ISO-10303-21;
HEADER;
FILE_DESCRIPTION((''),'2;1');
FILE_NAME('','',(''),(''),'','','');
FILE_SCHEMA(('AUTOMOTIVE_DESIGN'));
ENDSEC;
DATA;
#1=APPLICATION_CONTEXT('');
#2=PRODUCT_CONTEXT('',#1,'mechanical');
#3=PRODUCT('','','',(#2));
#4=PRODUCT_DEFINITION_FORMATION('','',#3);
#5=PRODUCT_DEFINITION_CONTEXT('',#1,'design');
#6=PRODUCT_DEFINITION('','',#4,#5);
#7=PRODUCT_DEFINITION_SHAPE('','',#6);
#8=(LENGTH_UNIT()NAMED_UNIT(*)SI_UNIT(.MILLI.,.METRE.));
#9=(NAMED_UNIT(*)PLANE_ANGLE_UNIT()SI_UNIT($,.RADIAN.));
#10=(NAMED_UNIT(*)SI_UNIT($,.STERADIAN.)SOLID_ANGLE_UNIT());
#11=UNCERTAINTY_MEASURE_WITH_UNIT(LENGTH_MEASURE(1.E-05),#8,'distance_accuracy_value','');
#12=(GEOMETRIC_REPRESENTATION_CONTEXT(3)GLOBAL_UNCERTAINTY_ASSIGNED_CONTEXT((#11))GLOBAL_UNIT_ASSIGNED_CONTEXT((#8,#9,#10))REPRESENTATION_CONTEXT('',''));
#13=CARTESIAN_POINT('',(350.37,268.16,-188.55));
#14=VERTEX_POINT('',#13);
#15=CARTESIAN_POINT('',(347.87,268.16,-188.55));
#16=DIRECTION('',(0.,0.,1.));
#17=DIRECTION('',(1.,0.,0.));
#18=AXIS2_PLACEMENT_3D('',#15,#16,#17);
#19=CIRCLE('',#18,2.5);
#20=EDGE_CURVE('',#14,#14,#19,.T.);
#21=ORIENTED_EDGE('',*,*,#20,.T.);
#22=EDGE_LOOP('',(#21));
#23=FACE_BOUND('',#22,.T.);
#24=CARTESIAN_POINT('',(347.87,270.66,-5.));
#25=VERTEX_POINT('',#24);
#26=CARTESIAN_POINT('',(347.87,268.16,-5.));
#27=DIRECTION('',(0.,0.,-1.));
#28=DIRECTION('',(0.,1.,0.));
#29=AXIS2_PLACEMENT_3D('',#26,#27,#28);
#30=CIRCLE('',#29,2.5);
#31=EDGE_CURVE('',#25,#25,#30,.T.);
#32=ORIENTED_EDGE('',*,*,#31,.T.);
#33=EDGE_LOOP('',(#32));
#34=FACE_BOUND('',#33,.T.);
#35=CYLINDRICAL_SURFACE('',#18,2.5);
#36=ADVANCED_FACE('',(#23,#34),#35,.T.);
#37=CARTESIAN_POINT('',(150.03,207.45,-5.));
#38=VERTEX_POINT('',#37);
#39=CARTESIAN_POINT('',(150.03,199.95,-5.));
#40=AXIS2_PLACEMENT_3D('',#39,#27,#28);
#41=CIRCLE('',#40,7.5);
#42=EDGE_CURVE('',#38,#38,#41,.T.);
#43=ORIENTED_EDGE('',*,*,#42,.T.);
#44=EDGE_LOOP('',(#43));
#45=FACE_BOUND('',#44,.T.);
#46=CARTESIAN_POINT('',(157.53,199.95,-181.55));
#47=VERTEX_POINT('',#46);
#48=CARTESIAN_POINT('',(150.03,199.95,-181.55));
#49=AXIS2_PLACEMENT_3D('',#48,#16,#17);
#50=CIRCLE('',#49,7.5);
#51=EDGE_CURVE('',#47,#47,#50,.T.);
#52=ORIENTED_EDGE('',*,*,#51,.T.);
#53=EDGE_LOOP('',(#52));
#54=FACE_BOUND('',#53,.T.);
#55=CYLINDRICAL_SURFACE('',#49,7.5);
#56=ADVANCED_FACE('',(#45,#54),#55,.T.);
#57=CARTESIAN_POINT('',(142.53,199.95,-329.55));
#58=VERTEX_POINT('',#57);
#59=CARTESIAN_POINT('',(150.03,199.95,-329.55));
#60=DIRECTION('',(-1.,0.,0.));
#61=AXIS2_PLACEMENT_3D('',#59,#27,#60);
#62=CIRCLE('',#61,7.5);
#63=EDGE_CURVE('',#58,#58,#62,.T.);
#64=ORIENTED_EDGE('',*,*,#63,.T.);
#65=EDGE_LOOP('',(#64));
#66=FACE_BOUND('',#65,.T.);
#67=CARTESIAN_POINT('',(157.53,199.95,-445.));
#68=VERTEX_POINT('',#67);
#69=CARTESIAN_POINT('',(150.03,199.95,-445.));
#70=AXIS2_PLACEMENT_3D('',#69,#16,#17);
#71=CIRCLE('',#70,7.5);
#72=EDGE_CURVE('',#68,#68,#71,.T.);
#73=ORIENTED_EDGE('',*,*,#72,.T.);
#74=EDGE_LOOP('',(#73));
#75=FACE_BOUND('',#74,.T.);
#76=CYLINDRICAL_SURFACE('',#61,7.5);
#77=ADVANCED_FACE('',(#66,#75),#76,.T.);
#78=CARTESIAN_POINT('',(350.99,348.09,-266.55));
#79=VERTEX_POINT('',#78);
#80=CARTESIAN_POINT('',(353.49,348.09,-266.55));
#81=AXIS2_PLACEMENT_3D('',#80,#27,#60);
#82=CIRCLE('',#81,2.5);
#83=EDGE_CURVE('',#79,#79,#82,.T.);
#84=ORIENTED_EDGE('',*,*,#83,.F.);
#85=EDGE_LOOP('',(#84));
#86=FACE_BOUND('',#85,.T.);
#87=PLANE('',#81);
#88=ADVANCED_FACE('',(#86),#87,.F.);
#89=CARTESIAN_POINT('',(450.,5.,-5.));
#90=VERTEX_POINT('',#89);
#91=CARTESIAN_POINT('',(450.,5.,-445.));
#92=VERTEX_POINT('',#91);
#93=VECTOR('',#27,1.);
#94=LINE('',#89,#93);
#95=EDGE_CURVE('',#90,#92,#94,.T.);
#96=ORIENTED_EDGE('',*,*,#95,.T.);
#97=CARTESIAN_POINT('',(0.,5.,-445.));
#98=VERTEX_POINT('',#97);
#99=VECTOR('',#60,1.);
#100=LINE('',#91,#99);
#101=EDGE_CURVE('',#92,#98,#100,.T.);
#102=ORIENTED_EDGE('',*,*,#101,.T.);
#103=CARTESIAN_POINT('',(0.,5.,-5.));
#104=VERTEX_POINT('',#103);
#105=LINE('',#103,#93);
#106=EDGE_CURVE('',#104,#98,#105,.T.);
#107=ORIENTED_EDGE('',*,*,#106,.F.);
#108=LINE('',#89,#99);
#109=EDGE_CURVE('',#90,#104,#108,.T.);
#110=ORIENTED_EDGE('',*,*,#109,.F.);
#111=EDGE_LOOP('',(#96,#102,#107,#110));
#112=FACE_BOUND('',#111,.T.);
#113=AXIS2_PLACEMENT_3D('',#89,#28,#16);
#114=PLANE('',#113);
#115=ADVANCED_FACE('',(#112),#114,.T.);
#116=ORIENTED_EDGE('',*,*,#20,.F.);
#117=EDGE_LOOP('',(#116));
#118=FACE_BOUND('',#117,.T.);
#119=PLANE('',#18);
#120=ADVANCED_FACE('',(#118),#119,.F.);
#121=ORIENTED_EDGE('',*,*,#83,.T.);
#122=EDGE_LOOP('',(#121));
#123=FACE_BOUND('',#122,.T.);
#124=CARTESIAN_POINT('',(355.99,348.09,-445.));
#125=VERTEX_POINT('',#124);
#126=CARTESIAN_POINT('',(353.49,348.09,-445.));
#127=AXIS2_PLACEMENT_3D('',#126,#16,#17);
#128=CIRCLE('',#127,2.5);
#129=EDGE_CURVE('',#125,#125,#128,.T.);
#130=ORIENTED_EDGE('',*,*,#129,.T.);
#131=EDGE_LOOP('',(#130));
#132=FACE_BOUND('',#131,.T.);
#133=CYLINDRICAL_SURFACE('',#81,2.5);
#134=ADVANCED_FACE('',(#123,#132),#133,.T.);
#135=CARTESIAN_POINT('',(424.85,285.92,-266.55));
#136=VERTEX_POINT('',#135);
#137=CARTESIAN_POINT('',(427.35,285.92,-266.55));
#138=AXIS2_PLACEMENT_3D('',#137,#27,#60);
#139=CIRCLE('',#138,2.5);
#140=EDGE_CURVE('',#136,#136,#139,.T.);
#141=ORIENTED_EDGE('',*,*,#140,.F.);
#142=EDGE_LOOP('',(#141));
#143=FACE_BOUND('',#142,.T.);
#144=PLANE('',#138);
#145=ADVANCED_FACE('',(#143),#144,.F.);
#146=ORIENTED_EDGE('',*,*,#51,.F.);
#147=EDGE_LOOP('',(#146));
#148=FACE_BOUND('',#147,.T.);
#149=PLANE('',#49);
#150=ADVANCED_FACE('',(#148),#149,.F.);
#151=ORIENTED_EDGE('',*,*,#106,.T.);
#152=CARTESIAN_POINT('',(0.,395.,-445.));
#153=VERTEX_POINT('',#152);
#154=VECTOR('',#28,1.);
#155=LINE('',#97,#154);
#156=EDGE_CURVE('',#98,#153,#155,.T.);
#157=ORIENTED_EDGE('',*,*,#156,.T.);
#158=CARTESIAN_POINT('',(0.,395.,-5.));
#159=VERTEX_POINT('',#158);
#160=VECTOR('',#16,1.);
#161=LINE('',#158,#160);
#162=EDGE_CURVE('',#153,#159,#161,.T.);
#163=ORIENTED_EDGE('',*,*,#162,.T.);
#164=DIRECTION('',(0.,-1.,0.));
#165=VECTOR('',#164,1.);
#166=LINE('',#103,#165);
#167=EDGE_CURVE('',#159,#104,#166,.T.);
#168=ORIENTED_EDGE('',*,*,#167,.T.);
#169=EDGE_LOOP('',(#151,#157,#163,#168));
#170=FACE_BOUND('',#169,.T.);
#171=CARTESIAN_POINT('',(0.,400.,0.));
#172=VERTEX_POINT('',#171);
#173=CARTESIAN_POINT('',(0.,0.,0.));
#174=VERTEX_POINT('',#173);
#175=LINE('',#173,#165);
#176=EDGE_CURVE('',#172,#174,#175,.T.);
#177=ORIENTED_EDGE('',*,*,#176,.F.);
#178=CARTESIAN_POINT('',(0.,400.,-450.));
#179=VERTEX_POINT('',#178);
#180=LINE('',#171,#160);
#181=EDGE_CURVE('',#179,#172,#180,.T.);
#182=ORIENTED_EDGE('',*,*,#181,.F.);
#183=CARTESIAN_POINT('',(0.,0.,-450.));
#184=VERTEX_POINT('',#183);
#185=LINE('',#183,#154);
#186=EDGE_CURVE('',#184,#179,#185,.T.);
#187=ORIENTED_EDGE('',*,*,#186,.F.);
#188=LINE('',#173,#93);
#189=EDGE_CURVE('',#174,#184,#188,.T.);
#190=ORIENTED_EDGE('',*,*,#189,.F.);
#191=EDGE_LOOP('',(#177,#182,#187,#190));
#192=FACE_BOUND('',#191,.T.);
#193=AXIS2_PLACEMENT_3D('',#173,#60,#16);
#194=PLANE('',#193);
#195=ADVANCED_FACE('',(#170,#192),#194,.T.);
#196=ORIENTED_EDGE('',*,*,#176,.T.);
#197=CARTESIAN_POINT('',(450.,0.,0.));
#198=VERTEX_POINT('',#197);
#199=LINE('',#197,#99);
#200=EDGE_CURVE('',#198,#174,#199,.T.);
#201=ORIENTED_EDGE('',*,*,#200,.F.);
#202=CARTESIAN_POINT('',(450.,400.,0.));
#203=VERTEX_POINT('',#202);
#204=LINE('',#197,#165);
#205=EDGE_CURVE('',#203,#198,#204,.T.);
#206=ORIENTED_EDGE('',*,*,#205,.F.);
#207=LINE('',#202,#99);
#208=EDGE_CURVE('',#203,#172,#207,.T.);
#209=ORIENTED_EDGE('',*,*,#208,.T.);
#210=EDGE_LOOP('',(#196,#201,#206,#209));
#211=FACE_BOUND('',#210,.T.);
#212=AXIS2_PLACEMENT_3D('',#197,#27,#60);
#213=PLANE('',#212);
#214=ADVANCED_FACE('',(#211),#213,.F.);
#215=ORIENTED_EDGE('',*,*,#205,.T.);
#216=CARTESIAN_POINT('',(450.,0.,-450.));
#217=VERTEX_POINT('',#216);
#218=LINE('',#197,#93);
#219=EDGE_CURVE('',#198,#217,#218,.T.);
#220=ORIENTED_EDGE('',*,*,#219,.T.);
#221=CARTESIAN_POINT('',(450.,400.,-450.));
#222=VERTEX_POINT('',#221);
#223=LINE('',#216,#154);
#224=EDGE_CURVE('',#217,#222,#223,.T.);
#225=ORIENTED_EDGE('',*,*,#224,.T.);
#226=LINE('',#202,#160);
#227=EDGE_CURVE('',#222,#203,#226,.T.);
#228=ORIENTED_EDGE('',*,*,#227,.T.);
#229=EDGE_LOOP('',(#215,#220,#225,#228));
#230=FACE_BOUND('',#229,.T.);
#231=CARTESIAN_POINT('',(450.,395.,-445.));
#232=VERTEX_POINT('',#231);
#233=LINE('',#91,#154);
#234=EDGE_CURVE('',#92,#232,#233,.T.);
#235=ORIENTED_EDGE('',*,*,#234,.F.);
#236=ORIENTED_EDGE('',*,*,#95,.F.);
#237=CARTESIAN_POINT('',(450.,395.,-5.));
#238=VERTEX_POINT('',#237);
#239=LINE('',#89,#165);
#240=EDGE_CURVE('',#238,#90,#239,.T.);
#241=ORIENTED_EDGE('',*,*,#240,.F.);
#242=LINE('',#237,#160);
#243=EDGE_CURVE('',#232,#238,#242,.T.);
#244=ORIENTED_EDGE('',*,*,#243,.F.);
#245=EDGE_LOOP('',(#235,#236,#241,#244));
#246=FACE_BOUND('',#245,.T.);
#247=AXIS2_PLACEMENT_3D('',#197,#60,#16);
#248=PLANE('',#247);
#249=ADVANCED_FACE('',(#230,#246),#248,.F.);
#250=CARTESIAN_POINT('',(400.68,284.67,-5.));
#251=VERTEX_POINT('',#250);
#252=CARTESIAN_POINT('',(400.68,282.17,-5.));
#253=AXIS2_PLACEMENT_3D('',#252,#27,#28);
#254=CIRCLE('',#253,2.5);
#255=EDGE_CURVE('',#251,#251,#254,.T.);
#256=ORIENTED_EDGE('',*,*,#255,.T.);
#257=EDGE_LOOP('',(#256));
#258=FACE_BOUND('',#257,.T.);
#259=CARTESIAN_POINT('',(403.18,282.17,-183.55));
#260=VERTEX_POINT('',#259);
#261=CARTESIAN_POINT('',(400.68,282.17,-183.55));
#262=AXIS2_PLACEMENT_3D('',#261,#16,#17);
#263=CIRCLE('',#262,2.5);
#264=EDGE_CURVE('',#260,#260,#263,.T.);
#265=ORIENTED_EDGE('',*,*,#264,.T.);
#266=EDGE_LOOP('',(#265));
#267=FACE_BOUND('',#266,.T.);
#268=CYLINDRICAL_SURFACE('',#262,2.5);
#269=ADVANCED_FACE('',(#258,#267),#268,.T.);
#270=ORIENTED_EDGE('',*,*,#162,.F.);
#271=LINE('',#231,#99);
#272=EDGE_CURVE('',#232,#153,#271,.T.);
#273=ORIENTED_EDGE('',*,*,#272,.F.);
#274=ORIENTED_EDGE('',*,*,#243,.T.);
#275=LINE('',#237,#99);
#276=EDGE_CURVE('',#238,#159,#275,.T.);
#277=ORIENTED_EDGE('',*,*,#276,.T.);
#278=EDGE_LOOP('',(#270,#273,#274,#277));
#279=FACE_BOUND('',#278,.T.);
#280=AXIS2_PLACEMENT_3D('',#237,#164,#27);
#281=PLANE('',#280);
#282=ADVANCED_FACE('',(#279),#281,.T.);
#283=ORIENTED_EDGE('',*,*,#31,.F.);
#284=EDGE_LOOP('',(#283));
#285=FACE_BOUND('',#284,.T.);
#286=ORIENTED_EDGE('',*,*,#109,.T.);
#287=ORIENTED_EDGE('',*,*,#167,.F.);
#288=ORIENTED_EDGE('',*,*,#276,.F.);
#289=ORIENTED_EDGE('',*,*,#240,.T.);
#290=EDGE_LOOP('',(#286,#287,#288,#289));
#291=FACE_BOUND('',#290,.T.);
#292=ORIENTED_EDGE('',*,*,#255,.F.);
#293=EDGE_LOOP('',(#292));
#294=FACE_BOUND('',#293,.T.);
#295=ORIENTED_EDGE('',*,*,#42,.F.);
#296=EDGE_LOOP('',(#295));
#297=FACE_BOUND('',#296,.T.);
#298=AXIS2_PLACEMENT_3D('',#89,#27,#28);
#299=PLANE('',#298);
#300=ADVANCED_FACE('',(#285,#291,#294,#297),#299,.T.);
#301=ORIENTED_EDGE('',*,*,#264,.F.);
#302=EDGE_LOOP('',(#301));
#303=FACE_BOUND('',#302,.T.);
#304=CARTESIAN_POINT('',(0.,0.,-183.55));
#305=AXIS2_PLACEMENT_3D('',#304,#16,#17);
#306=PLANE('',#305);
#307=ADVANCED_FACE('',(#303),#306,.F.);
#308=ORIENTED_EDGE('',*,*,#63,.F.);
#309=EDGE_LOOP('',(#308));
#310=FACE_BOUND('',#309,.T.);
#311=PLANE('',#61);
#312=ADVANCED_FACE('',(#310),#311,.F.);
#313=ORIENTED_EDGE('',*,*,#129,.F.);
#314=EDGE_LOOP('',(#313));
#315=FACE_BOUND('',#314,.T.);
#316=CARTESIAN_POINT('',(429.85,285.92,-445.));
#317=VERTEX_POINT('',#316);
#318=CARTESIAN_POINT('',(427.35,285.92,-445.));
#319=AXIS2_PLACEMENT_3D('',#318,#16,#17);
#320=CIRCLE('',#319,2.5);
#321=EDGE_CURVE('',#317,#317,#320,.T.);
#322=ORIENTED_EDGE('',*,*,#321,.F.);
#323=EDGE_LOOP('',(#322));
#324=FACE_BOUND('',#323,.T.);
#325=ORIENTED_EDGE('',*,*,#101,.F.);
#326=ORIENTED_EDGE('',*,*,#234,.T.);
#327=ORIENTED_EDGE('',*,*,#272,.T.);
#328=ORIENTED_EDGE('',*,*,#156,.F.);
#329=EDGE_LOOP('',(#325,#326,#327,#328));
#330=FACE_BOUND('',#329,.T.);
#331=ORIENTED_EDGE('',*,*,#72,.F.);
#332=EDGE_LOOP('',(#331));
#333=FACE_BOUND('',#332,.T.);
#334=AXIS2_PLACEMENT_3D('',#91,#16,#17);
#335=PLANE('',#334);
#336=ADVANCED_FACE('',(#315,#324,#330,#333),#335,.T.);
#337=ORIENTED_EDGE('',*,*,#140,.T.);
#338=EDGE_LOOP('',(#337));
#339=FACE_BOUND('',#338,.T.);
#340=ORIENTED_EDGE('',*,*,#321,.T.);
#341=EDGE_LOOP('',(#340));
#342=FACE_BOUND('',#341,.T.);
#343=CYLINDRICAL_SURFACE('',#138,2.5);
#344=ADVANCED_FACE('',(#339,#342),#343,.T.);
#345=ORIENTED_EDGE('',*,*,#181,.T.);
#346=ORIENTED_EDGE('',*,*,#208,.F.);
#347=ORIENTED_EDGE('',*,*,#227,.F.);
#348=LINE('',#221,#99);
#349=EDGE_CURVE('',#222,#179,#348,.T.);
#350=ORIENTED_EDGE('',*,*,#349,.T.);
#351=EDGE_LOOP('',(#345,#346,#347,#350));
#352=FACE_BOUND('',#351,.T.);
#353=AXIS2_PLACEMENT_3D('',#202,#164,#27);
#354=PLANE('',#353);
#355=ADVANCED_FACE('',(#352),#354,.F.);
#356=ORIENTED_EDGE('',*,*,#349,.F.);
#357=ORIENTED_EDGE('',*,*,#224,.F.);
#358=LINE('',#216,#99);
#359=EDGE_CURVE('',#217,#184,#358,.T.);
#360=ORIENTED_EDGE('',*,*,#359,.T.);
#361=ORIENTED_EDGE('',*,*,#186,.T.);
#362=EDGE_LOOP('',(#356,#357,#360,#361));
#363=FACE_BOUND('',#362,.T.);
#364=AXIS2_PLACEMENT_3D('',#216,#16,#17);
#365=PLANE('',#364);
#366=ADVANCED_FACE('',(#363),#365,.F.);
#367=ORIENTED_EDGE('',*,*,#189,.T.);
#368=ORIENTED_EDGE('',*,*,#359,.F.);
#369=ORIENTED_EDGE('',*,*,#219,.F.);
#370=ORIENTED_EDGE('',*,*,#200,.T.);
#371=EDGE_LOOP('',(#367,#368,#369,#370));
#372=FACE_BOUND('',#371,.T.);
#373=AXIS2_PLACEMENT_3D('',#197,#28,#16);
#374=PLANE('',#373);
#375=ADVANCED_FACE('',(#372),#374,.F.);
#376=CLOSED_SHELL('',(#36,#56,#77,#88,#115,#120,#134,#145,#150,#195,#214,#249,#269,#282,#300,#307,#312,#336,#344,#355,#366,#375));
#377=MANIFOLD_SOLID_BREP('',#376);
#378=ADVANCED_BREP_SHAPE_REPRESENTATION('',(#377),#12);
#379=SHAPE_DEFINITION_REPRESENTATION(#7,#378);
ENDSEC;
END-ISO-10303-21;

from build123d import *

# Parameters (mm, degrees)
ESBO_O1_W                = 450
ESBO_O1_H                = 400
ESBO_O1_W_2              = 440
ESBO_O1_H_2              = 390
RESSALTO_EXTRUS_O1_DEPTH = 450
ESBO_O2_R                = 2.5
RESSALTO_EXTRUS_O2_DEPTH = 183.55
ESBO_O2_3_R              = 2.5
RESSALTO_EXTRUS_O3_DEPTH = 188.55
ESBO_O2_4_R              = 7.5
RESSALTO_EXTRUS_O4_DEPTH = 181.55
ESBO_O3_R                = 2.5
RESSALTO_EXTRUS_O5_DEPTH = 183.45
ESBO_O3_3_R              = 2.5
RESSALTO_EXTRUS_O6_DEPTH = 183.45
RESSALTO_EXTRUS_O7_START = -120.45
ESBO_O3_4_R              = 7.5
RESSALTO_EXTRUS_O7_DEPTH = 120.45


with BuildPart() as part:
    # Esboço1 → Ressalto-extrusão1 (new body)
    with BuildSketch(Plane(origin=(0, 0, 0), x_dir=(0, 0, -1), z_dir=(1, 0, 0))):
        with Locations((225, 200)):
            Rectangle(ESBO_O1_W, ESBO_O1_H)
        with Locations((225, 200)):
            Rectangle(ESBO_O1_W_2, ESBO_O1_H_2, mode=Mode.SUBTRACT)
    extrude(amount=RESSALTO_EXTRUS_O1_DEPTH)

    # Esboço2 → Ressalto-extrusão2 (add)
    with BuildSketch(Plane.XY):
        with Locations((400.68, 282.17)):
            Circle(ESBO_O2_R)
    extrude(amount=-RESSALTO_EXTRUS_O2_DEPTH)

    # Esboço2<3> → Ressalto-extrusão3 (add)
    with BuildSketch(Plane.XY):
        with Locations((347.87, 268.16)):
            Circle(ESBO_O2_3_R)
    extrude(amount=-RESSALTO_EXTRUS_O3_DEPTH)

    # Esboço2<4> → Ressalto-extrusão4 (add)
    with BuildSketch(Plane.XY):
        with Locations((150.03, 199.95)):
            Circle(ESBO_O2_4_R)
    extrude(amount=-RESSALTO_EXTRUS_O4_DEPTH)

    # Esboço3 → Ressalto-extrusão5 (add)
    with BuildSketch(Plane(origin=(0, 0, -450), x_dir=(-1, 0, 0), z_dir=(0, 0, -1))):
        with Locations((-427.35, 285.92)):
            Circle(ESBO_O3_R)
    extrude(amount=-RESSALTO_EXTRUS_O5_DEPTH)

    # Esboço3<3> → Ressalto-extrusão6 (add)
    with BuildSketch(Plane(origin=(0, 0, -450), x_dir=(-1, 0, 0), z_dir=(0, 0, -1))):
        with Locations((-353.49, 348.09)):
            Circle(ESBO_O3_3_R)
    extrude(amount=-RESSALTO_EXTRUS_O6_DEPTH)

    # Esboço3<4> → Ressalto-extrusão7 (add)
    with BuildSketch(Plane(origin=(0, 0, -450), x_dir=(-1, 0, 0), z_dir=(0, 0, -1)).offset(RESSALTO_EXTRUS_O7_START)):
        with Locations((-150.03, 199.95)):
            Circle(ESBO_O3_4_R)
    extrude(amount=RESSALTO_EXTRUS_O7_DEPTH)


solid = part.part
